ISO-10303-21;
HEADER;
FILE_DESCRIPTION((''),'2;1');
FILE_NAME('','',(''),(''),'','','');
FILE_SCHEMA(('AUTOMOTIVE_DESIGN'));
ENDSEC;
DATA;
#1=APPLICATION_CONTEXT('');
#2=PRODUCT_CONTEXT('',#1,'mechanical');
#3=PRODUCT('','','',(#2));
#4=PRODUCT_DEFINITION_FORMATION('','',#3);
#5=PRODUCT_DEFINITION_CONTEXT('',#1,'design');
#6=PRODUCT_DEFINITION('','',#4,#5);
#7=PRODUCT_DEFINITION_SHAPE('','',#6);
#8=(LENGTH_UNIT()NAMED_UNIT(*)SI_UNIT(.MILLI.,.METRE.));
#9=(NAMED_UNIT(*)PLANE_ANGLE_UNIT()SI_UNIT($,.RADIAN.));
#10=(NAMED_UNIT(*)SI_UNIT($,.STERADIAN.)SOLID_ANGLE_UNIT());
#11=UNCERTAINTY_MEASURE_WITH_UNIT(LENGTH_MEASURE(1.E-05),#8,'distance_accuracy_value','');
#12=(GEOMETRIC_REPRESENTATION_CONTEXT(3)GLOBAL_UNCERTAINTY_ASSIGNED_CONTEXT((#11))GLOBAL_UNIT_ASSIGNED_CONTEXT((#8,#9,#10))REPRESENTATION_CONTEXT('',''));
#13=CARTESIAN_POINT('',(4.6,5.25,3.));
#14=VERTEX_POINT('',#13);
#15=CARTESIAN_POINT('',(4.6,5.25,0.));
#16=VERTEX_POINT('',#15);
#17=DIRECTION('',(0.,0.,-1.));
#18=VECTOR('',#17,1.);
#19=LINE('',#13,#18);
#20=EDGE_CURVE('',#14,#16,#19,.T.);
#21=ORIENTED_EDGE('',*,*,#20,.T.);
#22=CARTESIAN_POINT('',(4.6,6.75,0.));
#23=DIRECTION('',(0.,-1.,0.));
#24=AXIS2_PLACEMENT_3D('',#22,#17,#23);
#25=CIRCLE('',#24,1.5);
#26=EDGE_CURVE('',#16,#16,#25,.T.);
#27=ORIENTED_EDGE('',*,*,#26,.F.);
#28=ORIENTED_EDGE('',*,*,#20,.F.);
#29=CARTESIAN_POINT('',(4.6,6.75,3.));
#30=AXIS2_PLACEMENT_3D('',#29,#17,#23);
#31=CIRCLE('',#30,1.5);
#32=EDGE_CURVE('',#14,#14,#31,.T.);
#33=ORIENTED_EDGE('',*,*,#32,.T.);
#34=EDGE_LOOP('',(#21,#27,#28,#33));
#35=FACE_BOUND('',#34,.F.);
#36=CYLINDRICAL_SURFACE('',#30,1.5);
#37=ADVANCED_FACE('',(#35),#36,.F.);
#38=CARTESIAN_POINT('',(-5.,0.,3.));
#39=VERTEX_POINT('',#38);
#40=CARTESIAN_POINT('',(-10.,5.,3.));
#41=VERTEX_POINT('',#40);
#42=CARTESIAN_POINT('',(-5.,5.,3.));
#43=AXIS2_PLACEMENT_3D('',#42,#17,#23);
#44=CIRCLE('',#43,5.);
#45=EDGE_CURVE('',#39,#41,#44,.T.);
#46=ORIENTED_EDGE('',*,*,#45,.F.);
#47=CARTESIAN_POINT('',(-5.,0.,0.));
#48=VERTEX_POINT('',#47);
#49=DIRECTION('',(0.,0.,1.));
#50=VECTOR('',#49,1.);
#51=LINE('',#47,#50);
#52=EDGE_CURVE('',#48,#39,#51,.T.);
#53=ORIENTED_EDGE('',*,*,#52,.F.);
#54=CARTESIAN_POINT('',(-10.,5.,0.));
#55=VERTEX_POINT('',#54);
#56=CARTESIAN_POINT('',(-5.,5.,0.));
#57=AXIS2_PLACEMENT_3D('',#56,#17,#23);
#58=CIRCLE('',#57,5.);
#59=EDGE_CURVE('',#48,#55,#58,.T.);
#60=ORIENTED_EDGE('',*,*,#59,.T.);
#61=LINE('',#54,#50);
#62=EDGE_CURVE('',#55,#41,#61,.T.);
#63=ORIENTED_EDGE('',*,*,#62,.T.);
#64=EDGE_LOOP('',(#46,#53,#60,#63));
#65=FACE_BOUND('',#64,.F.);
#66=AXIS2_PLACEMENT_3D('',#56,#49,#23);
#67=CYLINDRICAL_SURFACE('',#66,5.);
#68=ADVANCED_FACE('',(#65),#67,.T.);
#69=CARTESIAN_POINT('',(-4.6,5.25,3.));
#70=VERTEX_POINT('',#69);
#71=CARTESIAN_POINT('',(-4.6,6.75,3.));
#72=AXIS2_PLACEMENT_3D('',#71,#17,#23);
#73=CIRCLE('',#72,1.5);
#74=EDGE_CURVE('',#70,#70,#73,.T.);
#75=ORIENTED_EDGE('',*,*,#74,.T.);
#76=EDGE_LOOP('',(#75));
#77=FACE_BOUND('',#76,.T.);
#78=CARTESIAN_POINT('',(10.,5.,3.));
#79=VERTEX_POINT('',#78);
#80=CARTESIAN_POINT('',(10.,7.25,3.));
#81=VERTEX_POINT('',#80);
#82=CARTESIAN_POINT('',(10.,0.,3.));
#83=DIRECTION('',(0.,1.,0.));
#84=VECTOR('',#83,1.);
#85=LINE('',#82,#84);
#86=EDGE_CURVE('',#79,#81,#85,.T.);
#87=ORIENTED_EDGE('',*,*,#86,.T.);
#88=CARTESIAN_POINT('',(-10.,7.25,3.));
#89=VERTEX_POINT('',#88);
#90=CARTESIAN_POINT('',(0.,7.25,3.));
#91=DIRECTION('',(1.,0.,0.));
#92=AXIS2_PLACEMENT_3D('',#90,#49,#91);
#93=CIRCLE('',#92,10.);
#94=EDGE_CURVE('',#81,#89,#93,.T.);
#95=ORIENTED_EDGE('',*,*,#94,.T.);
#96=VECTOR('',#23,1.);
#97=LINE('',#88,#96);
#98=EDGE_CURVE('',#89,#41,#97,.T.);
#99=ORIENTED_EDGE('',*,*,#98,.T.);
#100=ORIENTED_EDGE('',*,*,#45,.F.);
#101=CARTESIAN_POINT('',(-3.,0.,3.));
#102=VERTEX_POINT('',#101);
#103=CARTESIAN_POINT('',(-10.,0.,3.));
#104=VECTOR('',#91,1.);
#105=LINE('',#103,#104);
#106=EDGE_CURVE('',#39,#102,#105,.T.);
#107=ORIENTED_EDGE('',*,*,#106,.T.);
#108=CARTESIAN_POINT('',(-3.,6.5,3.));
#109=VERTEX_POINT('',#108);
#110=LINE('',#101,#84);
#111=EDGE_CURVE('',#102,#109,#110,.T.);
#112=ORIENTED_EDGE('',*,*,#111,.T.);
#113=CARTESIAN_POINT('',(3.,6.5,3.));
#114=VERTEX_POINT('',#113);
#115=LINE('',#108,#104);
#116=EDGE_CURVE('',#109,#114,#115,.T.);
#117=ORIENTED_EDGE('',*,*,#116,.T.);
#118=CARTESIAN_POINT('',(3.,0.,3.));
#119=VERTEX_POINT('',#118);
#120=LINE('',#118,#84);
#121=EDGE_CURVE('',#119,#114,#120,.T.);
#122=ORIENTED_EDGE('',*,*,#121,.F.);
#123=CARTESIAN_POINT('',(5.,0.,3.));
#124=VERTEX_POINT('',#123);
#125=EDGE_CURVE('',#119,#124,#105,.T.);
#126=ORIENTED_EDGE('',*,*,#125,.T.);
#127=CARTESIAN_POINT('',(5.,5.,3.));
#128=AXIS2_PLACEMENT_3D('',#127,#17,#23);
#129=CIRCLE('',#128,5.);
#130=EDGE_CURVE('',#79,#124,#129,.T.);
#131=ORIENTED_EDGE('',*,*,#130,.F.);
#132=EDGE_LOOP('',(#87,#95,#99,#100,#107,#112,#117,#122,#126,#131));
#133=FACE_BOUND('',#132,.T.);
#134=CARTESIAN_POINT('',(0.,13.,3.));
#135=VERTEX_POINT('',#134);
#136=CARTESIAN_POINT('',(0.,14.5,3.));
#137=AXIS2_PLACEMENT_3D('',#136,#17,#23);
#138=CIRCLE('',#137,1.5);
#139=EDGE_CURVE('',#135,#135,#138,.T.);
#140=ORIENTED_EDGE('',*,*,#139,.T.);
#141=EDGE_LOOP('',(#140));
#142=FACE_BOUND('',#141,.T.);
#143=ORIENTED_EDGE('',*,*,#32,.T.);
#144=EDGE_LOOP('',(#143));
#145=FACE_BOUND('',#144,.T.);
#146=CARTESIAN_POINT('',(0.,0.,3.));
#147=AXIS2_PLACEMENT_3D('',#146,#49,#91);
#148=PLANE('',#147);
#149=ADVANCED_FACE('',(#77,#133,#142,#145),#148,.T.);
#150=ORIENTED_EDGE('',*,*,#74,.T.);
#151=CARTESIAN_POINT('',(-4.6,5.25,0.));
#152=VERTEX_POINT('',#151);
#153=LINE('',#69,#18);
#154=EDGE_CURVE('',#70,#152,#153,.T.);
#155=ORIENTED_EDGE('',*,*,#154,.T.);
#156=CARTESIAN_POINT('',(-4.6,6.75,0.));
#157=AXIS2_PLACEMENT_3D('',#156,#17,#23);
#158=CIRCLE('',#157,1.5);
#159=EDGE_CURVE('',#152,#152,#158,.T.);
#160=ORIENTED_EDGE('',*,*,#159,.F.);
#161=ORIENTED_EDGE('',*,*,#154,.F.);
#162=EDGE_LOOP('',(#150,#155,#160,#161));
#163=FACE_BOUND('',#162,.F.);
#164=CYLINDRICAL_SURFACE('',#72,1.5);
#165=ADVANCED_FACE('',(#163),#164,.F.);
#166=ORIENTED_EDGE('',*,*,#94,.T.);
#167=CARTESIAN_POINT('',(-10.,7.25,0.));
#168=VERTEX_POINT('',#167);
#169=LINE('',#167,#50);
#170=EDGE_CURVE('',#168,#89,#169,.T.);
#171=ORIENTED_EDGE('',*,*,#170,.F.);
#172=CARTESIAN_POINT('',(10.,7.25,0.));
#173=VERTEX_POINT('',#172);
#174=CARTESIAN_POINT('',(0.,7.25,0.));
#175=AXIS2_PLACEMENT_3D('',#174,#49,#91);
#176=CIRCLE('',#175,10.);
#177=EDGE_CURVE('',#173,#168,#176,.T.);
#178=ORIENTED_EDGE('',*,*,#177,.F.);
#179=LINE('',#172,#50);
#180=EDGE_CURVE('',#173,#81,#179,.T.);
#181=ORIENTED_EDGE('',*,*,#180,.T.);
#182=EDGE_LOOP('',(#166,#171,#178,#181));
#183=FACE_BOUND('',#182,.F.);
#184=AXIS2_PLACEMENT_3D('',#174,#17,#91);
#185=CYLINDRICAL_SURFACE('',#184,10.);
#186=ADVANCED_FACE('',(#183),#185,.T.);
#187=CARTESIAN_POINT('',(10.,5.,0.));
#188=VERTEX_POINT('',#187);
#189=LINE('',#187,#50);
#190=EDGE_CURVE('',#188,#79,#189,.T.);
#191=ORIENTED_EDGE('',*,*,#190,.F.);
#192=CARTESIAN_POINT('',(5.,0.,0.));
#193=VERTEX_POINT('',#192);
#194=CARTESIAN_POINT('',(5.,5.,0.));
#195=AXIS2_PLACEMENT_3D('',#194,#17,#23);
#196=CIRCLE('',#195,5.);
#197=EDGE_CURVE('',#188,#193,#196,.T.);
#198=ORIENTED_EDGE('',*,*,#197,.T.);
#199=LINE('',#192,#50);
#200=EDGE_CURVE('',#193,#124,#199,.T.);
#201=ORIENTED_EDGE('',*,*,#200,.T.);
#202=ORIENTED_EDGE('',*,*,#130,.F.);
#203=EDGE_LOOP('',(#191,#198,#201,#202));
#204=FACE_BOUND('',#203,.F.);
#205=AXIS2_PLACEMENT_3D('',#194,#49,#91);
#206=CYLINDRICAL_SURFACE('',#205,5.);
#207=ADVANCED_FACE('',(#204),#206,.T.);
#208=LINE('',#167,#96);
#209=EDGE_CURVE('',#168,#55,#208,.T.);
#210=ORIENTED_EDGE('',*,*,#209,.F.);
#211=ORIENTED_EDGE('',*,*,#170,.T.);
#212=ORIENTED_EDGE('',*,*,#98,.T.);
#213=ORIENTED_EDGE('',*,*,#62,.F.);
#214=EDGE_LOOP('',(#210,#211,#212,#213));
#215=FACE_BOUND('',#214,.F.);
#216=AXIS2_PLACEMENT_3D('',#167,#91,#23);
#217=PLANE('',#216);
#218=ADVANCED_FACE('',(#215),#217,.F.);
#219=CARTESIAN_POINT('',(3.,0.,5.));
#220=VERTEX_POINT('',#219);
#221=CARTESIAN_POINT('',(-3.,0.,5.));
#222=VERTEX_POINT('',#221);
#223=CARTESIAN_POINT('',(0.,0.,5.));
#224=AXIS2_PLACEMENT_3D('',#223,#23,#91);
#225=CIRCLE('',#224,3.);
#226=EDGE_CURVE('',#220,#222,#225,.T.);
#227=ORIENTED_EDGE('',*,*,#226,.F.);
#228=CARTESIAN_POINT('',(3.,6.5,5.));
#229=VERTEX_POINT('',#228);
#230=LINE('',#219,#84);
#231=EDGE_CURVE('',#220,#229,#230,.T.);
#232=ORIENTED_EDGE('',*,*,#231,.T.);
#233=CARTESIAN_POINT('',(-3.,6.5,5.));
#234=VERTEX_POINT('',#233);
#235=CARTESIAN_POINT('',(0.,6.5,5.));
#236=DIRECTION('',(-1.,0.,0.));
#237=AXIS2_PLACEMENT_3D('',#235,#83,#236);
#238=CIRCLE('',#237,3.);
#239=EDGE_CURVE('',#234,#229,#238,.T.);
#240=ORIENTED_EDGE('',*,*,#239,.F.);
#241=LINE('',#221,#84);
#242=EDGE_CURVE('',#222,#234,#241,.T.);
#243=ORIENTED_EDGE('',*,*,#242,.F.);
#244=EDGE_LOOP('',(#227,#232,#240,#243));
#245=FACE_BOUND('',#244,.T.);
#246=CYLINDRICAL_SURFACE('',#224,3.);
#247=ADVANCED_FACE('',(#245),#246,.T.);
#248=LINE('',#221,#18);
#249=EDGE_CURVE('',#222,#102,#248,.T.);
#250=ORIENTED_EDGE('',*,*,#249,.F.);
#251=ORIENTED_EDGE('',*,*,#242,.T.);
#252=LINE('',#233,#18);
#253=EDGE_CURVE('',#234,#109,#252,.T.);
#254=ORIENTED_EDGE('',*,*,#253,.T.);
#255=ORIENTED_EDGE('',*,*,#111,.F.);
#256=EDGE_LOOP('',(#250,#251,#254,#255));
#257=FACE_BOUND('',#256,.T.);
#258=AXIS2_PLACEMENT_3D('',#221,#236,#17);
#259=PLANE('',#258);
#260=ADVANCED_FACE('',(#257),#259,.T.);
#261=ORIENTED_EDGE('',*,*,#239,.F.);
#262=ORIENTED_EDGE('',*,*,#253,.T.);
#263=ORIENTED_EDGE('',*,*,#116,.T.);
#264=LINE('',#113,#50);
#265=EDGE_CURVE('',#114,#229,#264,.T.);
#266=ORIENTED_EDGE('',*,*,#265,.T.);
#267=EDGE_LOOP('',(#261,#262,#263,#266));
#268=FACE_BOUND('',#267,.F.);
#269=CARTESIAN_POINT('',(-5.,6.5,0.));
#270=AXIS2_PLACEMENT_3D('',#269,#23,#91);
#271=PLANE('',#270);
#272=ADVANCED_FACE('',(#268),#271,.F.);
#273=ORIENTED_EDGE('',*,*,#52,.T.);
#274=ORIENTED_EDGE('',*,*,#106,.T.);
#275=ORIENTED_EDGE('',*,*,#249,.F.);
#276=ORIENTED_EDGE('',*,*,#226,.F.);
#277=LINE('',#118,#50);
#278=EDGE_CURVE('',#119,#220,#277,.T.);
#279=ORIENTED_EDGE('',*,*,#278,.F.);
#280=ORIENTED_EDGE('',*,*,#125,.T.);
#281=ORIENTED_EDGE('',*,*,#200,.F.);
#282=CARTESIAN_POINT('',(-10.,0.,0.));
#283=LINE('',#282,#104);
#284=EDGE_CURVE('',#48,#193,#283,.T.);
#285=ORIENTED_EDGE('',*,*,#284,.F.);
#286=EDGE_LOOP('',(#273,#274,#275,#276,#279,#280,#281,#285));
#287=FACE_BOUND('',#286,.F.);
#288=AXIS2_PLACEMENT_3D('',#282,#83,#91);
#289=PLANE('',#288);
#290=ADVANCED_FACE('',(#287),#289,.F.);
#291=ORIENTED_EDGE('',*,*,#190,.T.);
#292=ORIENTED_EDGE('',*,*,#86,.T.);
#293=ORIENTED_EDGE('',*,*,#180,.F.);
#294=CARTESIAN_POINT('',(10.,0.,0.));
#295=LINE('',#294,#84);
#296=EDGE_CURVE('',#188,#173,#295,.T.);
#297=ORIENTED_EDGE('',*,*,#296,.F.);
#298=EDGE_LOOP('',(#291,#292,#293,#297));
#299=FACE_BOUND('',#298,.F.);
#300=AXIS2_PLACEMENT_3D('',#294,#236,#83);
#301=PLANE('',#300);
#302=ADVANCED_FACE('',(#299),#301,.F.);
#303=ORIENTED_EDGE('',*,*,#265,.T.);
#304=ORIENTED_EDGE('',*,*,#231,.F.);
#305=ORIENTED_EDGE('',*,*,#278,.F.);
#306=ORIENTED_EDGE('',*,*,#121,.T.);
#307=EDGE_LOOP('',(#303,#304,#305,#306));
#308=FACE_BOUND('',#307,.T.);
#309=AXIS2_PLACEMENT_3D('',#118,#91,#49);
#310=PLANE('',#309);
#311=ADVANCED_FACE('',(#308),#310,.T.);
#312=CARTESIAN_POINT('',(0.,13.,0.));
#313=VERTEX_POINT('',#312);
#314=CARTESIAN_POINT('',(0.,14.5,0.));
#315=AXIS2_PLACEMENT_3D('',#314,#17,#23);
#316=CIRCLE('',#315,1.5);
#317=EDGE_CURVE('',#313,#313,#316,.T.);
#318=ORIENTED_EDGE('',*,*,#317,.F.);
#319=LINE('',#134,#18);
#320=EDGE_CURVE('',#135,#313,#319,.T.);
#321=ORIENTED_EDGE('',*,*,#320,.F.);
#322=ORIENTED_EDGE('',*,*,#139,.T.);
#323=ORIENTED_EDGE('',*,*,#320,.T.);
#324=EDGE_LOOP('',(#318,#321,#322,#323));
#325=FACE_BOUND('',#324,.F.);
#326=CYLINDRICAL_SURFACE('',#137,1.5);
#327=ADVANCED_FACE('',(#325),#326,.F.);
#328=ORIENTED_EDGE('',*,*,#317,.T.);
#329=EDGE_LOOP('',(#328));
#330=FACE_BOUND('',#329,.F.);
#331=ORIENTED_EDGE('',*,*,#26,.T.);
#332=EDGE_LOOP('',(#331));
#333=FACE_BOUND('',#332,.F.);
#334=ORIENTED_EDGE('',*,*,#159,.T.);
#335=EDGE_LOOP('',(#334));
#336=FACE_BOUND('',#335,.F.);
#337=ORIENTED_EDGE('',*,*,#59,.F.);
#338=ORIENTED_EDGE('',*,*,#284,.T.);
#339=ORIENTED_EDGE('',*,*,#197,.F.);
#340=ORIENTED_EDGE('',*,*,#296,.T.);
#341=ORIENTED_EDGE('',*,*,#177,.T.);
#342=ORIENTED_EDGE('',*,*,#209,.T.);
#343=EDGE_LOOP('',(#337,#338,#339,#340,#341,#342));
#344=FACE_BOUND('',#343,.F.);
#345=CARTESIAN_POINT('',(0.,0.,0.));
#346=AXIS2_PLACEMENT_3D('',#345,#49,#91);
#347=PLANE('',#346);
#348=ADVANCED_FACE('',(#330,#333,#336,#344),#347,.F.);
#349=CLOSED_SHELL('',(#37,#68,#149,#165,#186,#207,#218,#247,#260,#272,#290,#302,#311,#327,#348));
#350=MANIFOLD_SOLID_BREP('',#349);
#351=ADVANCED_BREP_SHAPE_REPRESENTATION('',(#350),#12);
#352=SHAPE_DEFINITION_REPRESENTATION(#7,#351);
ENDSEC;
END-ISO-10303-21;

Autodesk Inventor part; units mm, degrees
ref_plane "YZ Plane" through (0, 0, 0) normal (1, 0, 0) x (0, 1, 0)
ref_plane "XZ Plane" through (0, 0, 0) normal (0, 1, 0) x (-1, 0, 0)
ref_plane "XY Plane" through (0, 0, 0) normal (0, 0, 1) x (1, 0, 0)
sketch "Esquisse1" plane through (0, 0, 0) normal (0, 0, 1) x (1, 0, 0)
  arc A0 (10, 7.25) -> (-10, 7.25) centre (0, 7.25) ccw
  line L0 (-10, 0) -> (10, 0)
  line L1 (10, 0) -> (10, 7.25)
  line L2 (-10, 7.25) -> (-10, 0)
  point P0 (0, 0)
  point P1 (0, 4.9938)
  point P2 (0, 0)
  dimension "d0" = 20
  dimension "d1" = 17.25
extrude "Extrusion1" add sketch "Esquisse1" along normal blind 3
fillet "Congé1" radius 5 2 edges at (-10, 0, 1.5) (10, 0, 1.5)
sketch "Esquisse2" plane through (-5, 0, 0) normal (0, -1, 0) x (1, 0, 0)
  line L0 (2, 3) -> (8, 3)
  line L1 (8, 3) -> (8, 5)
  line L2 (5, 8) -> (5, 8)
  line L3 (2, 5) -> (2, 3)
  line L4 (0, 0) -> (10, 0) projected
  line L5 (0, 3) -> (10, 3) projected
  arc A0 (5, 8) -> (2, 5) centre (5, 5) ccw
  arc A1 (8, 5) -> (5, 8) centre (5, 5) ccw
  point P0 (5, 0)
  point P1 (5, 3)
  point P2 (5, 0)
  dimension "d5" = 8
  dimension "d7" = 3
  dimension "d8" = 6
extrude "Extrusion2" add sketch "Esquisse2" against normal blind 6.5
sketch "Esquisse3" plane through (0, 0, 3) normal (0, 0, 1) x (1, 0, 0)
  line L0 (-3, 0) -> (3, 0) projected
  point P0 (0, 0)
  point P1 (-4.6, 6.75)
  point P2 (4.6, 6.75)
  point P3 (0, 14.5)
  point P4 (0, 0)
  dimension "d11" = 9.2
  dimension "d12" = 4.6
  dimension "d13" = 6.75
  dimension "d14" = 14.5
hole "Perçage1" at (-4.6, 6.75, 3) at (4.6, 6.75, 3) at (0, 14.5, 3) direction (0, 0, -1) diameter 3 depth 8 tip angle 118
equation "\"d7\" = 0.5 * d8"
equation "\"d12\" = 0.5 * d11"
properties part number "Support capteur" material "Plastique ABS"
